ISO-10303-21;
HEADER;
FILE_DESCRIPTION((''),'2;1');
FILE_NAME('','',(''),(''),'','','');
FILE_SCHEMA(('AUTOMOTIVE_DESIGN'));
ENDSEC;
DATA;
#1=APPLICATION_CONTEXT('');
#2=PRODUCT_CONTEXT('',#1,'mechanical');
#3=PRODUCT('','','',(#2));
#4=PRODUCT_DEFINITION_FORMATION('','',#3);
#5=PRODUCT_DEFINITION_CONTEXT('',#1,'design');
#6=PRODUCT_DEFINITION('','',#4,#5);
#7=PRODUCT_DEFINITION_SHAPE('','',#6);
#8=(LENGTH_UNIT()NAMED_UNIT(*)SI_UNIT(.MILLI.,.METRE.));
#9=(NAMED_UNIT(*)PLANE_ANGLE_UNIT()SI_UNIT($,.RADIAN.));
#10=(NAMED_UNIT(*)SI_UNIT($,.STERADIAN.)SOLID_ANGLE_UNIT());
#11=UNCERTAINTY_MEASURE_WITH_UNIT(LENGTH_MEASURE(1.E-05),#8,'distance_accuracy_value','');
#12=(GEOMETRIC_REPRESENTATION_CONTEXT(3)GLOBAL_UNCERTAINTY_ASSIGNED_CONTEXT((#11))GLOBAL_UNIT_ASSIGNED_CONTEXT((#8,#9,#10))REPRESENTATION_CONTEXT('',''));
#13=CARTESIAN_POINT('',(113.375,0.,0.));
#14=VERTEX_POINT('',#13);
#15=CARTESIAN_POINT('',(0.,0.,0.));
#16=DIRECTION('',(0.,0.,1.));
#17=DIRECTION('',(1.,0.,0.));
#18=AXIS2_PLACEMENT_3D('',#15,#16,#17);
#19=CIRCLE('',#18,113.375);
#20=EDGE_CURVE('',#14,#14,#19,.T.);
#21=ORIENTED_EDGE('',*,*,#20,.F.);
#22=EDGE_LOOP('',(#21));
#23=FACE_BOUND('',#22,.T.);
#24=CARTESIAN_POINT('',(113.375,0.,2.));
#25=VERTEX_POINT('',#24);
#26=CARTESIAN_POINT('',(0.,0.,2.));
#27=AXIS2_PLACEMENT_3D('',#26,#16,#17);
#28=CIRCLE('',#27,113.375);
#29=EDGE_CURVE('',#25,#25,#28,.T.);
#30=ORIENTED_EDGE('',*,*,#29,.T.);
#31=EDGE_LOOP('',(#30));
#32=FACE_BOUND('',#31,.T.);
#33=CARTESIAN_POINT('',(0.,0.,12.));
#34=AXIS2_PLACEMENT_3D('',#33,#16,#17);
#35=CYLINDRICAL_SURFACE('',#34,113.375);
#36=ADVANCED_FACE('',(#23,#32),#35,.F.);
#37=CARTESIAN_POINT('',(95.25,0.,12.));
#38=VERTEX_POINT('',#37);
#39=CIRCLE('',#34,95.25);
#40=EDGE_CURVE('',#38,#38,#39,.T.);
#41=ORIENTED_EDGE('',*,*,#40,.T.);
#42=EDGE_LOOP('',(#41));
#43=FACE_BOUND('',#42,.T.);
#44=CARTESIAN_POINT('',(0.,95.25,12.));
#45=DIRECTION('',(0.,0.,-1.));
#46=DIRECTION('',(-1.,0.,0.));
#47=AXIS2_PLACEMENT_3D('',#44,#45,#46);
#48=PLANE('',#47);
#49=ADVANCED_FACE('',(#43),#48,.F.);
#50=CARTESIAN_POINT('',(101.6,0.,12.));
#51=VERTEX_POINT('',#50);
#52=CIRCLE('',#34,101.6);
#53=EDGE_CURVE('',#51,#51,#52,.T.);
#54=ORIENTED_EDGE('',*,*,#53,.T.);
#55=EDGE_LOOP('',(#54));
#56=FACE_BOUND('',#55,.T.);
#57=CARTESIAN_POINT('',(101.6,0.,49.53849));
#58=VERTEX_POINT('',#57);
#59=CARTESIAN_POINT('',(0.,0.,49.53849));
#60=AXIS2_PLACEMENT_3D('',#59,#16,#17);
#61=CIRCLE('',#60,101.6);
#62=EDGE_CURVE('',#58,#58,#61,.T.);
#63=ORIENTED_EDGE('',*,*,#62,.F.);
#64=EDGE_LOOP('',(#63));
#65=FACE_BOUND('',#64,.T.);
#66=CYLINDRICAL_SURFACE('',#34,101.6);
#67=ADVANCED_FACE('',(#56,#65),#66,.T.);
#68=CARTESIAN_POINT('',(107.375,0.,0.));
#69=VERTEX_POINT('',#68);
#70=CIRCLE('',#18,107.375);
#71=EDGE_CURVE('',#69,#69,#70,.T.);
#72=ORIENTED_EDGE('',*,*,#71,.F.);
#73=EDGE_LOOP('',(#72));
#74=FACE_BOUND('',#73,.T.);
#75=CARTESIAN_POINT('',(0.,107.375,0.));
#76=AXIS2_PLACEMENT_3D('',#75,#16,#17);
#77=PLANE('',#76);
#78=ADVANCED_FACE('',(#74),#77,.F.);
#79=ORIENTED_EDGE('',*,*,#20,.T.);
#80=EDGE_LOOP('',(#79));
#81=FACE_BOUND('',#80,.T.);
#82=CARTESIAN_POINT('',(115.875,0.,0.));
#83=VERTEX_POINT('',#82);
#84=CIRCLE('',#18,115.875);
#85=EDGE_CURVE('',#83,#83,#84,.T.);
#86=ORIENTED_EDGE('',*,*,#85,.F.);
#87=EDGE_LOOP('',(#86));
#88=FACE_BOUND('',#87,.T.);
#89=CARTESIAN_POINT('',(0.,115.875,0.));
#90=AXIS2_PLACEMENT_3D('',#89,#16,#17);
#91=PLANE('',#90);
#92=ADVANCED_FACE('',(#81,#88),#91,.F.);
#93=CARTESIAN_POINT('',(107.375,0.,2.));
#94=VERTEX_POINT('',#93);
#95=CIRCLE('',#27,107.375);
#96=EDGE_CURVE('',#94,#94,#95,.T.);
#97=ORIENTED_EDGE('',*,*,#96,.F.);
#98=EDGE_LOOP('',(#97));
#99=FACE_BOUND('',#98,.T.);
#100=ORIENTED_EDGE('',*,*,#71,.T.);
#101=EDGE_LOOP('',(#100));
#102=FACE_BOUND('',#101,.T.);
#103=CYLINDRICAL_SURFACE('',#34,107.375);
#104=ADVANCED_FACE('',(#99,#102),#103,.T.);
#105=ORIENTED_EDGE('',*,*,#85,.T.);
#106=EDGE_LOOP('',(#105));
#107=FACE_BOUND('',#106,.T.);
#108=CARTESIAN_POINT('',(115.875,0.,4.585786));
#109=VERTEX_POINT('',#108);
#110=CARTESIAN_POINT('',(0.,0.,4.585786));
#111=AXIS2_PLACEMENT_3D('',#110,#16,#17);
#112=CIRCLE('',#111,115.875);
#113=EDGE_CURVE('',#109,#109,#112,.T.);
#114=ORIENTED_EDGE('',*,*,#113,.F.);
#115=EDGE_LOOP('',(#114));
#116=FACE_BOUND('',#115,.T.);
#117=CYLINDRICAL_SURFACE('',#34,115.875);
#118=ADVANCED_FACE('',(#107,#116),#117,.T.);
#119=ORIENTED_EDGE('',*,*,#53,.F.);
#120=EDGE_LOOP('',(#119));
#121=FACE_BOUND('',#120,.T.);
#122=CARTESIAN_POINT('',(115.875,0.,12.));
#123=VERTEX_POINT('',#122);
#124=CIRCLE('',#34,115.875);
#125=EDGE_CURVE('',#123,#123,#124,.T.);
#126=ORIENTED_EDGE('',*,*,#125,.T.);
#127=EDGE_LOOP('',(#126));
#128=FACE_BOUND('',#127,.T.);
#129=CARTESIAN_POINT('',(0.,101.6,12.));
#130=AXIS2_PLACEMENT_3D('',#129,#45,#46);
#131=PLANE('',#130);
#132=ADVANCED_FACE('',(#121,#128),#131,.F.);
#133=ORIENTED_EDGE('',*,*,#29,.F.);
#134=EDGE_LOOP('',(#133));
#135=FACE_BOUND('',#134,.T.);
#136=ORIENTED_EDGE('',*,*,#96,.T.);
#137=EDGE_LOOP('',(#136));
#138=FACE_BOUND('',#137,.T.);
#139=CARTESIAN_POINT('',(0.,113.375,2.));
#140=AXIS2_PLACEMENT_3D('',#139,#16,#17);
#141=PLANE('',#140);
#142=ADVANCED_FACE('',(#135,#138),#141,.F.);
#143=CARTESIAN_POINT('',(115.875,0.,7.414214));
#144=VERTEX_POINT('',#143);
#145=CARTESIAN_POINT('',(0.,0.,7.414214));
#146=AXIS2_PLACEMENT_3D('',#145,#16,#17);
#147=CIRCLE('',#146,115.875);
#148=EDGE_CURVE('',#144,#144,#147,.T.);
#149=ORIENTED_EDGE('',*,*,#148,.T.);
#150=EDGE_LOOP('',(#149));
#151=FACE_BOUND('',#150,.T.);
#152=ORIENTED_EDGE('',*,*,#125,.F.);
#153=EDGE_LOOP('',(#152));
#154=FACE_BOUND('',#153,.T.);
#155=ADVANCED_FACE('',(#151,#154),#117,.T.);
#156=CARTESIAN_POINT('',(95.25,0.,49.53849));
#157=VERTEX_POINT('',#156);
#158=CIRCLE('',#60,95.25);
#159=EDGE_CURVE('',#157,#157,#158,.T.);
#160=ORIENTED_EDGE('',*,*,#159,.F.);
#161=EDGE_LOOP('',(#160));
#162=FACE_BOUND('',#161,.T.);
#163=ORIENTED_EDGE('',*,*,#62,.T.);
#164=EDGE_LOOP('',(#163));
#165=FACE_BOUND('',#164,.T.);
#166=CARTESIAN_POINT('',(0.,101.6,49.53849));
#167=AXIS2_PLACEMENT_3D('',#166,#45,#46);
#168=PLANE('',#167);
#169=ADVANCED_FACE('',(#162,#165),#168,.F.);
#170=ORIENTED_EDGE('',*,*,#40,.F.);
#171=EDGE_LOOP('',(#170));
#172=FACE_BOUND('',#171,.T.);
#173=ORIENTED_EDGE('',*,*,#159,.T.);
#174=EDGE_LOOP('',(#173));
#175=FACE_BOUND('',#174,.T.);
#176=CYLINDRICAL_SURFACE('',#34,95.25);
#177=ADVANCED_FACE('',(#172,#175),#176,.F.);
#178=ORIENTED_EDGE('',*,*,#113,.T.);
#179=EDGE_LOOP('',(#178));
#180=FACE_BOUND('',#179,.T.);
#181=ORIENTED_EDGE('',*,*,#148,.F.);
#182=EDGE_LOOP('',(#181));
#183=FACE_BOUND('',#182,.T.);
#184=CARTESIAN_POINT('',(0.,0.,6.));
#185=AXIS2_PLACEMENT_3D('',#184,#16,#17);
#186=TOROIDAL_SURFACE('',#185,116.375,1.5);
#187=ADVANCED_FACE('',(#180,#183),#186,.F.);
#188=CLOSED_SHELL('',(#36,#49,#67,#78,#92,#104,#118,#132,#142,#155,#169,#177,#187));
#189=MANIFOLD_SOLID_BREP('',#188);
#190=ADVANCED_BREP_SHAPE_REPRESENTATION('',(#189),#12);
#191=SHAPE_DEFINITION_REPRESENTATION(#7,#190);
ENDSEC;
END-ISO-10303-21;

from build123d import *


with BuildPart() as part:
    # Sketch1 → Base-Revolve (revolve)
    with BuildSketch(Plane(origin=(0, 0, 0), x_dir=(0, 0, -1), z_dir=(1, 0, 0))):
        with BuildLine():
            Line((-4.585786438, 115.874999992), (0, 115.874999992))
            Line((0, 115.874999992), (0, 113.374999974))
            Line((0, 113.374999974), (-2, 113.374999974))
            Line((-2, 113.374999974), (-2, 107.374999974))
            Line((-2, 107.374999974), (0, 107.374999974))
            Line((0, 107.374999974), (0, 0))
            Line((0, 0), (-12, 0))
            Line((-12, 0), (-12, 95.25))
            Line((-12, 95.25), (-49.538490201, 95.25))
            Line((-49.538490201, 95.25), (-49.538490201, 101.6))
            Line((-49.538490201, 101.6), (-12, 101.6))
            Line((-12, 101.6), (-12, 115.874999992))
            Line((-12, 115.874999992), (-7.414213562, 115.874999992))
            ThreePointArc((-7.414213562, 115.874999992), (-6, 114.874999992), (-4.585786438, 115.874999992))
        make_face()
    revolve(axis=Axis((0, 0, 12), (0, 0, -1)))


solid = part.part
